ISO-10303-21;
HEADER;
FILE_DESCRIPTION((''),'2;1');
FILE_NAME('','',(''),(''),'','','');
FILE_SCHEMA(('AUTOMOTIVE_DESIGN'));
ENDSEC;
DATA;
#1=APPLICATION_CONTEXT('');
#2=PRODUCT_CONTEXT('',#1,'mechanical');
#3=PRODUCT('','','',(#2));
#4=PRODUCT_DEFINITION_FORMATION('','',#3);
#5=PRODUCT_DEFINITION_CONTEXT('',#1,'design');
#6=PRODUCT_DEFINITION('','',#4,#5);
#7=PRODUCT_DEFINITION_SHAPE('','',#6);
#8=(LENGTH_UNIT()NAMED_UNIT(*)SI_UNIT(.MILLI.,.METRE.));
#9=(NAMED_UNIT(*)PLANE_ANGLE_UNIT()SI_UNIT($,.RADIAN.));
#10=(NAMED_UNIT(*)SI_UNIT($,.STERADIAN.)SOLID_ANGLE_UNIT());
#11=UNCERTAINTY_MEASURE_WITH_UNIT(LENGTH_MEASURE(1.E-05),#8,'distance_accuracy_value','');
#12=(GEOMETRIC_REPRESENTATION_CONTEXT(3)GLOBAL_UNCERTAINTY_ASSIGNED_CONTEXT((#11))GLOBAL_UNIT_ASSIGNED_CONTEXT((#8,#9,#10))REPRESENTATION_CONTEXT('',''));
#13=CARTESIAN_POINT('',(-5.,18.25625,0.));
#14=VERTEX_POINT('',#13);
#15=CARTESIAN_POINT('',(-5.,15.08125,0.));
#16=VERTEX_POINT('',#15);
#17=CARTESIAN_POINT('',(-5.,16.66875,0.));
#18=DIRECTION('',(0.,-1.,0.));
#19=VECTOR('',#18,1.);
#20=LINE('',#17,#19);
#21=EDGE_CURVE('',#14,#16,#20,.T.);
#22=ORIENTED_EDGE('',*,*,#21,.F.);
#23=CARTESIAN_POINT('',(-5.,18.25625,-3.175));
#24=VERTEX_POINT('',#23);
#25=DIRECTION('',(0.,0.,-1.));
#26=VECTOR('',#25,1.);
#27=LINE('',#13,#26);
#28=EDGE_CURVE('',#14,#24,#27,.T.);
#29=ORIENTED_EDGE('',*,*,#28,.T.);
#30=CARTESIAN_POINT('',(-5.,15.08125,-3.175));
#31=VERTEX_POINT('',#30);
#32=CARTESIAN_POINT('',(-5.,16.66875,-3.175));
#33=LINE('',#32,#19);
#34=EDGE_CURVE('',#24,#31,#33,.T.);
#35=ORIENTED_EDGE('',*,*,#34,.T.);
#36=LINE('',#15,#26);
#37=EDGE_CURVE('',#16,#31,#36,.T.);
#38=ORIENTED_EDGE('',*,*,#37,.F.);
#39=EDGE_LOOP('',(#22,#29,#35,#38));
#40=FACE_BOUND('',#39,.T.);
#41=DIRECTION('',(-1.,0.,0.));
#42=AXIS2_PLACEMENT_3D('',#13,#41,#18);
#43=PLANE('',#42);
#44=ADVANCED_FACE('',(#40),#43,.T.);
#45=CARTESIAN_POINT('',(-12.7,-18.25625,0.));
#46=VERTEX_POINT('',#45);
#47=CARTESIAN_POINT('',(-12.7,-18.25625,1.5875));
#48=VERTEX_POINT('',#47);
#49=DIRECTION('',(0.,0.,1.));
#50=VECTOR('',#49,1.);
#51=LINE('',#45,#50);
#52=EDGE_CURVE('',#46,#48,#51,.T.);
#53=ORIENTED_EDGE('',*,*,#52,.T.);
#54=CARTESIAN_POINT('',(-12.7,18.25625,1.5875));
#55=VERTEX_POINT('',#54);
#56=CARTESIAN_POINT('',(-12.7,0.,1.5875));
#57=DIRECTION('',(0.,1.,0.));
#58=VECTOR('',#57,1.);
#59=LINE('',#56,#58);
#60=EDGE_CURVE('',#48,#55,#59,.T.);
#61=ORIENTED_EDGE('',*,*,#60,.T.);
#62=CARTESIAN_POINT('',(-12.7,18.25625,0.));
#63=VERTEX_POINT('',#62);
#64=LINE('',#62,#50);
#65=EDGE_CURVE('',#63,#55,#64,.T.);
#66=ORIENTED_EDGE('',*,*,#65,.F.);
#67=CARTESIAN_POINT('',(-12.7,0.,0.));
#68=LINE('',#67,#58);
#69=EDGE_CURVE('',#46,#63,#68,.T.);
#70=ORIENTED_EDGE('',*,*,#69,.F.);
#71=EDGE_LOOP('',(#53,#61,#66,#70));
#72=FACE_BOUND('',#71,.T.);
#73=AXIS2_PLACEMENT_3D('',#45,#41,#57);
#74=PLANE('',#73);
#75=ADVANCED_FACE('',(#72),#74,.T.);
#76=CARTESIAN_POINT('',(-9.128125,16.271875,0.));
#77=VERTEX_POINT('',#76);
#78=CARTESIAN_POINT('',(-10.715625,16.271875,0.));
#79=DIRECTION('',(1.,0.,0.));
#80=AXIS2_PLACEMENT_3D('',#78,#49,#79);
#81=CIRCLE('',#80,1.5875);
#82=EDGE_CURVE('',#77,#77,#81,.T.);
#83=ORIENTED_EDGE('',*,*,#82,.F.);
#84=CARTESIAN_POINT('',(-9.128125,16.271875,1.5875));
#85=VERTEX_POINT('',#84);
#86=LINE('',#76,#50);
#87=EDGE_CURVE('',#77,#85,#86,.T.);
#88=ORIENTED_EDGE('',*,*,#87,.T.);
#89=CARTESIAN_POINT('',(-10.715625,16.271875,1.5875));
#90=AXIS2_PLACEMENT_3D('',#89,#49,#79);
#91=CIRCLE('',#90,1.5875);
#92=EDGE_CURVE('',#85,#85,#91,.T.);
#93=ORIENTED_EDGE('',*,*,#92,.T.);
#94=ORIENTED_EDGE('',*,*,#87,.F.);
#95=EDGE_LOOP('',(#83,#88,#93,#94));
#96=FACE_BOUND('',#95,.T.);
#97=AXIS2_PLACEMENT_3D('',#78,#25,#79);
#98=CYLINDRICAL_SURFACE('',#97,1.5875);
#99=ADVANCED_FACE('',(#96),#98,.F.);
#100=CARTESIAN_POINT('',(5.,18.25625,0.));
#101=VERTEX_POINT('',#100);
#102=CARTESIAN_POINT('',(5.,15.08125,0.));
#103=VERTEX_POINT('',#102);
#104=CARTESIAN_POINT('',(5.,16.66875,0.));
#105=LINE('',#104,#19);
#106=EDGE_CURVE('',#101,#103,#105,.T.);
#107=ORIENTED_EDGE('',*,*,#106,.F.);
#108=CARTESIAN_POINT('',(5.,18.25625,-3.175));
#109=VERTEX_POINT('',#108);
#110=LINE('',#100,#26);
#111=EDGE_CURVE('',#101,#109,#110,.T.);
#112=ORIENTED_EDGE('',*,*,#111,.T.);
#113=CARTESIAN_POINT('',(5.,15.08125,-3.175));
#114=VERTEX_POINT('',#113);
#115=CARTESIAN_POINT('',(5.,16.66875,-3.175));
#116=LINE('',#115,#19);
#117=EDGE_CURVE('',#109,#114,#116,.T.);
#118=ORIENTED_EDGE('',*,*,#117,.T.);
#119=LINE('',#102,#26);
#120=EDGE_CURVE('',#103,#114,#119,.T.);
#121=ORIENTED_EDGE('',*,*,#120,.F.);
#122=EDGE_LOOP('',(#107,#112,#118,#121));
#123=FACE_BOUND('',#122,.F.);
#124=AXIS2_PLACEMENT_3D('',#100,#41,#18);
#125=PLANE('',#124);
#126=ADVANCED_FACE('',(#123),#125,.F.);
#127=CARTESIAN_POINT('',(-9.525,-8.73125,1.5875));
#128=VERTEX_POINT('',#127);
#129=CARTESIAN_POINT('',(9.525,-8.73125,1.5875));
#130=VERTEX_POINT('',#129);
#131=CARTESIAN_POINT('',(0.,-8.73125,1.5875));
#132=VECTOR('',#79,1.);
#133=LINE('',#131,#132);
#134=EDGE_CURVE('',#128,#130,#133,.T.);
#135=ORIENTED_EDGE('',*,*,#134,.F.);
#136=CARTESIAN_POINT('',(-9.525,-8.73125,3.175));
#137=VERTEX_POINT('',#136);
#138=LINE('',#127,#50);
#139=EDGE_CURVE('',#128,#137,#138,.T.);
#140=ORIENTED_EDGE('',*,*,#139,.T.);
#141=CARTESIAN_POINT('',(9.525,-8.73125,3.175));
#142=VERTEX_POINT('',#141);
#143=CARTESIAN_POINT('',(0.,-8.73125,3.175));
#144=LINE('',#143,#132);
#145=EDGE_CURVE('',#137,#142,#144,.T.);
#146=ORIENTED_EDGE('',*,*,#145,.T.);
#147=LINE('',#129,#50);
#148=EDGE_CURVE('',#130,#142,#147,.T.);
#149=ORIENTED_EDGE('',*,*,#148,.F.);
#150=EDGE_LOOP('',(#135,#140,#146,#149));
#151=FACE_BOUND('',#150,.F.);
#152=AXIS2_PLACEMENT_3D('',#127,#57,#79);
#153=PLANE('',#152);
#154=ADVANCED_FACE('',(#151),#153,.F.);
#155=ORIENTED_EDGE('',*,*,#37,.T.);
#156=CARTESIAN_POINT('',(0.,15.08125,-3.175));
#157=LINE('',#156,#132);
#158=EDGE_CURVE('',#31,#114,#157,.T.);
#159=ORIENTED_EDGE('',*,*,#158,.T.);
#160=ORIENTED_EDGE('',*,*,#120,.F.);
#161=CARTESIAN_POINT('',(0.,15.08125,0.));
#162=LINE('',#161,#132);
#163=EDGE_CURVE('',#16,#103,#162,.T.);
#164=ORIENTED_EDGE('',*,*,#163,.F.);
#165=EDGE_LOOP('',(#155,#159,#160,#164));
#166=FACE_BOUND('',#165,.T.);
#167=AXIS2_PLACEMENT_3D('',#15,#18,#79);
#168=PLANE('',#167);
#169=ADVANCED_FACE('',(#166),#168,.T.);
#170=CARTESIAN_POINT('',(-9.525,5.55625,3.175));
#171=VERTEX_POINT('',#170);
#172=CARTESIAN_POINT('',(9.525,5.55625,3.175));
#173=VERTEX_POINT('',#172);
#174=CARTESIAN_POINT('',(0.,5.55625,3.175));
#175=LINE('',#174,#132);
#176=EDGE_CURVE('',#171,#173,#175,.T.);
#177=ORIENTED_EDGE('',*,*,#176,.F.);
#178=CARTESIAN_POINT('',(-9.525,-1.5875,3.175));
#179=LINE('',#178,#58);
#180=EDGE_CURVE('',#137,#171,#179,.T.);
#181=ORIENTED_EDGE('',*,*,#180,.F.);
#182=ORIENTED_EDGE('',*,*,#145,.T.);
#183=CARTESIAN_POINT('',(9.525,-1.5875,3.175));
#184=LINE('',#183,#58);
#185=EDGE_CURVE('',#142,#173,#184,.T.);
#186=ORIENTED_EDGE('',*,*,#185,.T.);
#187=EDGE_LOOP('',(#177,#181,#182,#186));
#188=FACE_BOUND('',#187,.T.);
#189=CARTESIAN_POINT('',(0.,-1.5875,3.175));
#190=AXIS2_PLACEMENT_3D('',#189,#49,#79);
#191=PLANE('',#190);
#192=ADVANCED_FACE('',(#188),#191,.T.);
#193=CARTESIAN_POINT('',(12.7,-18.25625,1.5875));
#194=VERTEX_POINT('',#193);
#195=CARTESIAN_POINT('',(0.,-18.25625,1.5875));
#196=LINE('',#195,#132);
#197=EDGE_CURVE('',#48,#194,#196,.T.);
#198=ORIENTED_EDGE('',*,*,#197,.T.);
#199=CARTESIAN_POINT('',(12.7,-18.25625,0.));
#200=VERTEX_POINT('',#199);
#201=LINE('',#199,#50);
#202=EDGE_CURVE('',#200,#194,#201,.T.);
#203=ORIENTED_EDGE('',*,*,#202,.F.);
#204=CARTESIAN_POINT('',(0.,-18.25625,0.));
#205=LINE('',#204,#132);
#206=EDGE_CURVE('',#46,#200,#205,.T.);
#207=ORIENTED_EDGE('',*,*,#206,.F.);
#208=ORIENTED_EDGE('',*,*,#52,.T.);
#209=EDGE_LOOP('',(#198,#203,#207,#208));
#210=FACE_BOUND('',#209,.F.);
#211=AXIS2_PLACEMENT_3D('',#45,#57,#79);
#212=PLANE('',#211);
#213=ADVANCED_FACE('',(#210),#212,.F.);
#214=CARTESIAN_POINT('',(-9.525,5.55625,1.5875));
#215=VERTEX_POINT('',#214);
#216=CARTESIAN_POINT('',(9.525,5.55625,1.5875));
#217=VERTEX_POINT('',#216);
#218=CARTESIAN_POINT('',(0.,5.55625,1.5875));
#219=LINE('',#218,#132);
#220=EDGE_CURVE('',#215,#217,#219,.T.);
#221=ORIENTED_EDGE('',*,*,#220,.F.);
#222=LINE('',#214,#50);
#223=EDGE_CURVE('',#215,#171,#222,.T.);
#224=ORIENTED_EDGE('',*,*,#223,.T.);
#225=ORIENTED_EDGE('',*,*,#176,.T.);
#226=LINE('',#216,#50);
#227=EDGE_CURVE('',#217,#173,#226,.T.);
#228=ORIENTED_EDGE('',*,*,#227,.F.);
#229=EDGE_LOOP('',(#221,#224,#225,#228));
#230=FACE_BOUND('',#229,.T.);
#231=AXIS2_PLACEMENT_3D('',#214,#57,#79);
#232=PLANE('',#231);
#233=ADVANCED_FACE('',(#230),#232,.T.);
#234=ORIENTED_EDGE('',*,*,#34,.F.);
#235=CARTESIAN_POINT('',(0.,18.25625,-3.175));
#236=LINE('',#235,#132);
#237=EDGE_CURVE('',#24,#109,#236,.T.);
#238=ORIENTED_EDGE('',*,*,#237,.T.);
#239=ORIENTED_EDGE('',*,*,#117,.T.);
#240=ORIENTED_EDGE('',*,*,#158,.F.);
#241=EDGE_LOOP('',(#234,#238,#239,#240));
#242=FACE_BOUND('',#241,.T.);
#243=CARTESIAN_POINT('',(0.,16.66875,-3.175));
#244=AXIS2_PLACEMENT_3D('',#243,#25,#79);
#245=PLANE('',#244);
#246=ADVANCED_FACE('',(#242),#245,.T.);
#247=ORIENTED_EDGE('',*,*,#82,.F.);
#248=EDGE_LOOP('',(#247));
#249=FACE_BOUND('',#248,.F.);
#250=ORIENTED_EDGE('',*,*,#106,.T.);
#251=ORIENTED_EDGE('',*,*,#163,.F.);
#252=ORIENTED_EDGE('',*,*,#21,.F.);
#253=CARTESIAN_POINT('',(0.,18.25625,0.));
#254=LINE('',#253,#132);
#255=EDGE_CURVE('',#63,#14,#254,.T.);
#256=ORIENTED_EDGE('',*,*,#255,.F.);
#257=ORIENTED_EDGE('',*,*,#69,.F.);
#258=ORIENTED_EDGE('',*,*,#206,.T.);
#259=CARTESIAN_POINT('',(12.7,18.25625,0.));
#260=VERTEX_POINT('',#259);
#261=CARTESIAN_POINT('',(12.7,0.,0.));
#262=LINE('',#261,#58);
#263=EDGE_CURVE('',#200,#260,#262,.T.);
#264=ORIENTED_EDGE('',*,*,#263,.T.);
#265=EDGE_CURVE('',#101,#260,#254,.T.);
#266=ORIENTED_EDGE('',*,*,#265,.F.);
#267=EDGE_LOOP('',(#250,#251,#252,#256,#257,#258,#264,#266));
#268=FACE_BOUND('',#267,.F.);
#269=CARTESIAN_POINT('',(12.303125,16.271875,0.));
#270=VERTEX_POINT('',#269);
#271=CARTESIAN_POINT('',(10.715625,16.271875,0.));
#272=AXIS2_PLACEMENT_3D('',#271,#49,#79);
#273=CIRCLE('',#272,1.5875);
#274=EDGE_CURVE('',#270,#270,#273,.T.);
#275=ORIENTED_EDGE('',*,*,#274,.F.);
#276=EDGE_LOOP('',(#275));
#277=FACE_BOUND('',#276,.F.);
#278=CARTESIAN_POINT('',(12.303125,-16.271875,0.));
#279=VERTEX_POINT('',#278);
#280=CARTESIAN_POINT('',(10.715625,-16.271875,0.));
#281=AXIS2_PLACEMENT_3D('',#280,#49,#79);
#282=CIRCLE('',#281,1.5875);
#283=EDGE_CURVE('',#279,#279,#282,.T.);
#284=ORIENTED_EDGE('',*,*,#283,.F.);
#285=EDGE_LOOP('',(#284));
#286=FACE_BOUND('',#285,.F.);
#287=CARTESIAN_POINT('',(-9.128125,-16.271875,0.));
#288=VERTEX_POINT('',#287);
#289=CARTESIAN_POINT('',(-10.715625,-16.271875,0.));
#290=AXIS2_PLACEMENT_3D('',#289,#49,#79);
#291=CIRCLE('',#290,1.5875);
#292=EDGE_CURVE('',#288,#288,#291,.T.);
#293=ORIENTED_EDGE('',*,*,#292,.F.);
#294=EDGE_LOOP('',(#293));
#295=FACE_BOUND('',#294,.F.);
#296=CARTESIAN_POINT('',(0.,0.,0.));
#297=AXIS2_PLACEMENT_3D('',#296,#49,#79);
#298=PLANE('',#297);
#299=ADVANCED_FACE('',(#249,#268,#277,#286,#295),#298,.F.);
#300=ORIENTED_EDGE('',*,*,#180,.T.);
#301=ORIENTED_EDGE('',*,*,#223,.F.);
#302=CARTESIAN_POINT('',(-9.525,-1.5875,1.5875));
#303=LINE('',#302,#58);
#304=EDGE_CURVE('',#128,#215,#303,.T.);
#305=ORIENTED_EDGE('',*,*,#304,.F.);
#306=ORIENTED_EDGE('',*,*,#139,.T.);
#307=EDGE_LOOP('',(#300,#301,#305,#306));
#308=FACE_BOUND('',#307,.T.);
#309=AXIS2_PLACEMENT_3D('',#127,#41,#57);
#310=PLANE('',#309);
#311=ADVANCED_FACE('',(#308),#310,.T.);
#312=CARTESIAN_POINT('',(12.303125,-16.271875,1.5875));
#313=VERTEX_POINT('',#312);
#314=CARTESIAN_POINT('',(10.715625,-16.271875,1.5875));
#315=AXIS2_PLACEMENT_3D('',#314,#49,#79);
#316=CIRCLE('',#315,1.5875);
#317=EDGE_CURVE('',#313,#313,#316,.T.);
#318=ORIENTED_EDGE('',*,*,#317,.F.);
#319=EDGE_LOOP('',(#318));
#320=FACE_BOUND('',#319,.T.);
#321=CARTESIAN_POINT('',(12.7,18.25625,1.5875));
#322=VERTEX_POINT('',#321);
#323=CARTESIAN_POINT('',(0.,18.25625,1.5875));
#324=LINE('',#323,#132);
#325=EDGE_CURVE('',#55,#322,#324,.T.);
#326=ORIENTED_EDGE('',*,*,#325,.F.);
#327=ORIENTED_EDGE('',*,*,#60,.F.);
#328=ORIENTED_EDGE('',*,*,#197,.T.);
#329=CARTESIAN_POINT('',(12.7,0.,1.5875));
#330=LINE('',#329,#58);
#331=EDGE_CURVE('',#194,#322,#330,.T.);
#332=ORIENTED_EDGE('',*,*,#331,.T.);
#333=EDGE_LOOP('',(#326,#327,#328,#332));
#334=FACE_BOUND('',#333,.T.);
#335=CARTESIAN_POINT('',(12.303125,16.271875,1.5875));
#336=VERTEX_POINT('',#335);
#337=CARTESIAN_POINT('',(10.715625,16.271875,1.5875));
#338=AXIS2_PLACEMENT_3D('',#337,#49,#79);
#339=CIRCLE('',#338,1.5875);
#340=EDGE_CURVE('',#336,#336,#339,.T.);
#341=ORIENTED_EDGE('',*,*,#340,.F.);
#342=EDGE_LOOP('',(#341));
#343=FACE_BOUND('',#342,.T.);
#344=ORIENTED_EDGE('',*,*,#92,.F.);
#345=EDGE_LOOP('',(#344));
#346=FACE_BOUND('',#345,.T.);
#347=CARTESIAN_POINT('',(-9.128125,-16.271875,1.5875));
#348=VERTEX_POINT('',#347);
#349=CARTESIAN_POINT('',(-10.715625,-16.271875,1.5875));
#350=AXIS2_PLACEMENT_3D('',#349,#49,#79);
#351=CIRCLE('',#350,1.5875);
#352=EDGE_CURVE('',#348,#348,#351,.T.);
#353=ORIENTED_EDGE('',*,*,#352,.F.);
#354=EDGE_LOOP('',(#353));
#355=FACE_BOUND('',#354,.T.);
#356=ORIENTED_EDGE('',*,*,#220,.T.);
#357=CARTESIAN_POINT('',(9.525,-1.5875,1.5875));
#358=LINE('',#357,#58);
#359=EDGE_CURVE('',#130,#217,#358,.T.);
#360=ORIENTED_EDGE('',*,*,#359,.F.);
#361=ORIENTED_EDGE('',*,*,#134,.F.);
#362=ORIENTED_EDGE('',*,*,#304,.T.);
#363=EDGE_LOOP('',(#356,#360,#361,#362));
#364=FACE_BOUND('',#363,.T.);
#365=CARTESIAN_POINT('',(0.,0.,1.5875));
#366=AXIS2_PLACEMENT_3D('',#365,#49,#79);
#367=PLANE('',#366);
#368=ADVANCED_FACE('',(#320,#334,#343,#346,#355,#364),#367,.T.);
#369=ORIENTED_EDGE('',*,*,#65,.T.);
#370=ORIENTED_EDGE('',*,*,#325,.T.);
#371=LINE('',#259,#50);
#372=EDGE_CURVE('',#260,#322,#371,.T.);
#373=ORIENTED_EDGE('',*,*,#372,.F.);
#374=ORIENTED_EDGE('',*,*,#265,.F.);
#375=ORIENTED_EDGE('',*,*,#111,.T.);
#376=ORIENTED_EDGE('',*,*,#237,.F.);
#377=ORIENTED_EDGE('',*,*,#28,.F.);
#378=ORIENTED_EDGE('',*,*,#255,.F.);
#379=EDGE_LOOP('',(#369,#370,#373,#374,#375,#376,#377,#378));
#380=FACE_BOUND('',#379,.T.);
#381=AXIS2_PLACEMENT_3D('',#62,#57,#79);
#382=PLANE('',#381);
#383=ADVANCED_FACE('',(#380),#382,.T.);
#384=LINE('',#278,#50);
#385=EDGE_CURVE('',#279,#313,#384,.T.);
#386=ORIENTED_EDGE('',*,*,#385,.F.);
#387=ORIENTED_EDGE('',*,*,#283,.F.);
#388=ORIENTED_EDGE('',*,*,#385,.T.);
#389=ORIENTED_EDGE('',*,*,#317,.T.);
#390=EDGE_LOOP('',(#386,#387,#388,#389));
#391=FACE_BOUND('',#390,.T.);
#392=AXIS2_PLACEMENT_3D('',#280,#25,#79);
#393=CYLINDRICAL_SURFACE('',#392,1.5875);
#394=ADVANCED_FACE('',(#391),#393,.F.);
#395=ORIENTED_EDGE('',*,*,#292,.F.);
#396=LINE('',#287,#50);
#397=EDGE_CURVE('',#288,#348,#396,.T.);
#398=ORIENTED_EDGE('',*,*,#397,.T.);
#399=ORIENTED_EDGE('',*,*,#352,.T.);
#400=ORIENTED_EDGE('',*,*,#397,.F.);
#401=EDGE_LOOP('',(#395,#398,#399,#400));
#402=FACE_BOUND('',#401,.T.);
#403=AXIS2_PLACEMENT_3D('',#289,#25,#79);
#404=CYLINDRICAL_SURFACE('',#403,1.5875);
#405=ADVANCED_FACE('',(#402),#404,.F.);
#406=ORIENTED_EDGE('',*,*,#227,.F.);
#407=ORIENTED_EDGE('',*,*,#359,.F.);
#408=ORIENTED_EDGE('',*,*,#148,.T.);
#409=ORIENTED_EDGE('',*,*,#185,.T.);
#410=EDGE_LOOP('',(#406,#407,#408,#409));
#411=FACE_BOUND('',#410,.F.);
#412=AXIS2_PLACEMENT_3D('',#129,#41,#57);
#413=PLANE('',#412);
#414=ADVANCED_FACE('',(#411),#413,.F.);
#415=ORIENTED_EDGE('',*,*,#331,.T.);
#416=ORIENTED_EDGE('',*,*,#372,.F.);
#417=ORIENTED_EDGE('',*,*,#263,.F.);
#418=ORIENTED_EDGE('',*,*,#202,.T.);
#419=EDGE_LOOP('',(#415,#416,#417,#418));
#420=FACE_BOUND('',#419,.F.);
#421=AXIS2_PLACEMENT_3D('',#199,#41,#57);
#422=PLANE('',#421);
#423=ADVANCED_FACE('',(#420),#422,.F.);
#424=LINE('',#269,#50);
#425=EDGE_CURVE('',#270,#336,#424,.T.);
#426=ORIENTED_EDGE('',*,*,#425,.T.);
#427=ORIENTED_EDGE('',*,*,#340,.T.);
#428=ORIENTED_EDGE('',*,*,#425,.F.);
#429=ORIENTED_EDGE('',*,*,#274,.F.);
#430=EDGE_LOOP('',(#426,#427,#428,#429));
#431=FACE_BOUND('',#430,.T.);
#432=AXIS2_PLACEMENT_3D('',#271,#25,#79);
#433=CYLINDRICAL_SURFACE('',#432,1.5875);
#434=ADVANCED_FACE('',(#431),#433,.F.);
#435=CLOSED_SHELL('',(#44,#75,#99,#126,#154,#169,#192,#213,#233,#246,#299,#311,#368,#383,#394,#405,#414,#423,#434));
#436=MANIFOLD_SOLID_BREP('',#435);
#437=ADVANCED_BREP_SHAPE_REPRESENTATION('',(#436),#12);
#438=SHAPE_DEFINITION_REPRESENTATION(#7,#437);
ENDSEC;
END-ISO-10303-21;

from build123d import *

# Parameters (mm, degrees)
F0_W     = 25.4
F0_H     = 36.5125
F0_R     = 1.5875
F1_DEPTH = 1.5875
F2_W     = 19.05
F2_H     = 14.2875
F3_DEPTH = 1.5875
F4_W     = 10
F4_H     = 3.175
F5_DEPTH = 3.175


with BuildPart() as f1:
    # F0 (on Top) → F1 (new body)
    with BuildSketch(Plane.XY):
        Rectangle(F0_W, F0_H)
        with Locations((-10.715625, -16.271875)):
            Circle(F0_R, mode=Mode.SUBTRACT)
        with Locations((10.715625, -16.271875)):
            Circle(F0_R, mode=Mode.SUBTRACT)
        with Locations((-10.715625, 16.271875)):
            Circle(F0_R, mode=Mode.SUBTRACT)
        with Locations((10.715625, 16.271875)):
            Circle(F0_R, mode=Mode.SUBTRACT)
    extrude(amount=F1_DEPTH)

    # F2 (on face) → F3 (join)
    with BuildSketch(Plane.XY.offset(1.5875)):
        with Locations((0, -1.5875)):
            Rectangle(F2_W, F2_H)
    extrude(amount=F3_DEPTH)

    # F4 (on face) → F5 (join)
    with BuildSketch(Plane(origin=(0, 0, 0), x_dir=(1, 0, 0), z_dir=(0, 0, -1))):
        with Locations((0, -16.66875)):
            Rectangle(F4_W, F4_H)
    extrude(amount=F5_DEPTH)


solid = f1.part
